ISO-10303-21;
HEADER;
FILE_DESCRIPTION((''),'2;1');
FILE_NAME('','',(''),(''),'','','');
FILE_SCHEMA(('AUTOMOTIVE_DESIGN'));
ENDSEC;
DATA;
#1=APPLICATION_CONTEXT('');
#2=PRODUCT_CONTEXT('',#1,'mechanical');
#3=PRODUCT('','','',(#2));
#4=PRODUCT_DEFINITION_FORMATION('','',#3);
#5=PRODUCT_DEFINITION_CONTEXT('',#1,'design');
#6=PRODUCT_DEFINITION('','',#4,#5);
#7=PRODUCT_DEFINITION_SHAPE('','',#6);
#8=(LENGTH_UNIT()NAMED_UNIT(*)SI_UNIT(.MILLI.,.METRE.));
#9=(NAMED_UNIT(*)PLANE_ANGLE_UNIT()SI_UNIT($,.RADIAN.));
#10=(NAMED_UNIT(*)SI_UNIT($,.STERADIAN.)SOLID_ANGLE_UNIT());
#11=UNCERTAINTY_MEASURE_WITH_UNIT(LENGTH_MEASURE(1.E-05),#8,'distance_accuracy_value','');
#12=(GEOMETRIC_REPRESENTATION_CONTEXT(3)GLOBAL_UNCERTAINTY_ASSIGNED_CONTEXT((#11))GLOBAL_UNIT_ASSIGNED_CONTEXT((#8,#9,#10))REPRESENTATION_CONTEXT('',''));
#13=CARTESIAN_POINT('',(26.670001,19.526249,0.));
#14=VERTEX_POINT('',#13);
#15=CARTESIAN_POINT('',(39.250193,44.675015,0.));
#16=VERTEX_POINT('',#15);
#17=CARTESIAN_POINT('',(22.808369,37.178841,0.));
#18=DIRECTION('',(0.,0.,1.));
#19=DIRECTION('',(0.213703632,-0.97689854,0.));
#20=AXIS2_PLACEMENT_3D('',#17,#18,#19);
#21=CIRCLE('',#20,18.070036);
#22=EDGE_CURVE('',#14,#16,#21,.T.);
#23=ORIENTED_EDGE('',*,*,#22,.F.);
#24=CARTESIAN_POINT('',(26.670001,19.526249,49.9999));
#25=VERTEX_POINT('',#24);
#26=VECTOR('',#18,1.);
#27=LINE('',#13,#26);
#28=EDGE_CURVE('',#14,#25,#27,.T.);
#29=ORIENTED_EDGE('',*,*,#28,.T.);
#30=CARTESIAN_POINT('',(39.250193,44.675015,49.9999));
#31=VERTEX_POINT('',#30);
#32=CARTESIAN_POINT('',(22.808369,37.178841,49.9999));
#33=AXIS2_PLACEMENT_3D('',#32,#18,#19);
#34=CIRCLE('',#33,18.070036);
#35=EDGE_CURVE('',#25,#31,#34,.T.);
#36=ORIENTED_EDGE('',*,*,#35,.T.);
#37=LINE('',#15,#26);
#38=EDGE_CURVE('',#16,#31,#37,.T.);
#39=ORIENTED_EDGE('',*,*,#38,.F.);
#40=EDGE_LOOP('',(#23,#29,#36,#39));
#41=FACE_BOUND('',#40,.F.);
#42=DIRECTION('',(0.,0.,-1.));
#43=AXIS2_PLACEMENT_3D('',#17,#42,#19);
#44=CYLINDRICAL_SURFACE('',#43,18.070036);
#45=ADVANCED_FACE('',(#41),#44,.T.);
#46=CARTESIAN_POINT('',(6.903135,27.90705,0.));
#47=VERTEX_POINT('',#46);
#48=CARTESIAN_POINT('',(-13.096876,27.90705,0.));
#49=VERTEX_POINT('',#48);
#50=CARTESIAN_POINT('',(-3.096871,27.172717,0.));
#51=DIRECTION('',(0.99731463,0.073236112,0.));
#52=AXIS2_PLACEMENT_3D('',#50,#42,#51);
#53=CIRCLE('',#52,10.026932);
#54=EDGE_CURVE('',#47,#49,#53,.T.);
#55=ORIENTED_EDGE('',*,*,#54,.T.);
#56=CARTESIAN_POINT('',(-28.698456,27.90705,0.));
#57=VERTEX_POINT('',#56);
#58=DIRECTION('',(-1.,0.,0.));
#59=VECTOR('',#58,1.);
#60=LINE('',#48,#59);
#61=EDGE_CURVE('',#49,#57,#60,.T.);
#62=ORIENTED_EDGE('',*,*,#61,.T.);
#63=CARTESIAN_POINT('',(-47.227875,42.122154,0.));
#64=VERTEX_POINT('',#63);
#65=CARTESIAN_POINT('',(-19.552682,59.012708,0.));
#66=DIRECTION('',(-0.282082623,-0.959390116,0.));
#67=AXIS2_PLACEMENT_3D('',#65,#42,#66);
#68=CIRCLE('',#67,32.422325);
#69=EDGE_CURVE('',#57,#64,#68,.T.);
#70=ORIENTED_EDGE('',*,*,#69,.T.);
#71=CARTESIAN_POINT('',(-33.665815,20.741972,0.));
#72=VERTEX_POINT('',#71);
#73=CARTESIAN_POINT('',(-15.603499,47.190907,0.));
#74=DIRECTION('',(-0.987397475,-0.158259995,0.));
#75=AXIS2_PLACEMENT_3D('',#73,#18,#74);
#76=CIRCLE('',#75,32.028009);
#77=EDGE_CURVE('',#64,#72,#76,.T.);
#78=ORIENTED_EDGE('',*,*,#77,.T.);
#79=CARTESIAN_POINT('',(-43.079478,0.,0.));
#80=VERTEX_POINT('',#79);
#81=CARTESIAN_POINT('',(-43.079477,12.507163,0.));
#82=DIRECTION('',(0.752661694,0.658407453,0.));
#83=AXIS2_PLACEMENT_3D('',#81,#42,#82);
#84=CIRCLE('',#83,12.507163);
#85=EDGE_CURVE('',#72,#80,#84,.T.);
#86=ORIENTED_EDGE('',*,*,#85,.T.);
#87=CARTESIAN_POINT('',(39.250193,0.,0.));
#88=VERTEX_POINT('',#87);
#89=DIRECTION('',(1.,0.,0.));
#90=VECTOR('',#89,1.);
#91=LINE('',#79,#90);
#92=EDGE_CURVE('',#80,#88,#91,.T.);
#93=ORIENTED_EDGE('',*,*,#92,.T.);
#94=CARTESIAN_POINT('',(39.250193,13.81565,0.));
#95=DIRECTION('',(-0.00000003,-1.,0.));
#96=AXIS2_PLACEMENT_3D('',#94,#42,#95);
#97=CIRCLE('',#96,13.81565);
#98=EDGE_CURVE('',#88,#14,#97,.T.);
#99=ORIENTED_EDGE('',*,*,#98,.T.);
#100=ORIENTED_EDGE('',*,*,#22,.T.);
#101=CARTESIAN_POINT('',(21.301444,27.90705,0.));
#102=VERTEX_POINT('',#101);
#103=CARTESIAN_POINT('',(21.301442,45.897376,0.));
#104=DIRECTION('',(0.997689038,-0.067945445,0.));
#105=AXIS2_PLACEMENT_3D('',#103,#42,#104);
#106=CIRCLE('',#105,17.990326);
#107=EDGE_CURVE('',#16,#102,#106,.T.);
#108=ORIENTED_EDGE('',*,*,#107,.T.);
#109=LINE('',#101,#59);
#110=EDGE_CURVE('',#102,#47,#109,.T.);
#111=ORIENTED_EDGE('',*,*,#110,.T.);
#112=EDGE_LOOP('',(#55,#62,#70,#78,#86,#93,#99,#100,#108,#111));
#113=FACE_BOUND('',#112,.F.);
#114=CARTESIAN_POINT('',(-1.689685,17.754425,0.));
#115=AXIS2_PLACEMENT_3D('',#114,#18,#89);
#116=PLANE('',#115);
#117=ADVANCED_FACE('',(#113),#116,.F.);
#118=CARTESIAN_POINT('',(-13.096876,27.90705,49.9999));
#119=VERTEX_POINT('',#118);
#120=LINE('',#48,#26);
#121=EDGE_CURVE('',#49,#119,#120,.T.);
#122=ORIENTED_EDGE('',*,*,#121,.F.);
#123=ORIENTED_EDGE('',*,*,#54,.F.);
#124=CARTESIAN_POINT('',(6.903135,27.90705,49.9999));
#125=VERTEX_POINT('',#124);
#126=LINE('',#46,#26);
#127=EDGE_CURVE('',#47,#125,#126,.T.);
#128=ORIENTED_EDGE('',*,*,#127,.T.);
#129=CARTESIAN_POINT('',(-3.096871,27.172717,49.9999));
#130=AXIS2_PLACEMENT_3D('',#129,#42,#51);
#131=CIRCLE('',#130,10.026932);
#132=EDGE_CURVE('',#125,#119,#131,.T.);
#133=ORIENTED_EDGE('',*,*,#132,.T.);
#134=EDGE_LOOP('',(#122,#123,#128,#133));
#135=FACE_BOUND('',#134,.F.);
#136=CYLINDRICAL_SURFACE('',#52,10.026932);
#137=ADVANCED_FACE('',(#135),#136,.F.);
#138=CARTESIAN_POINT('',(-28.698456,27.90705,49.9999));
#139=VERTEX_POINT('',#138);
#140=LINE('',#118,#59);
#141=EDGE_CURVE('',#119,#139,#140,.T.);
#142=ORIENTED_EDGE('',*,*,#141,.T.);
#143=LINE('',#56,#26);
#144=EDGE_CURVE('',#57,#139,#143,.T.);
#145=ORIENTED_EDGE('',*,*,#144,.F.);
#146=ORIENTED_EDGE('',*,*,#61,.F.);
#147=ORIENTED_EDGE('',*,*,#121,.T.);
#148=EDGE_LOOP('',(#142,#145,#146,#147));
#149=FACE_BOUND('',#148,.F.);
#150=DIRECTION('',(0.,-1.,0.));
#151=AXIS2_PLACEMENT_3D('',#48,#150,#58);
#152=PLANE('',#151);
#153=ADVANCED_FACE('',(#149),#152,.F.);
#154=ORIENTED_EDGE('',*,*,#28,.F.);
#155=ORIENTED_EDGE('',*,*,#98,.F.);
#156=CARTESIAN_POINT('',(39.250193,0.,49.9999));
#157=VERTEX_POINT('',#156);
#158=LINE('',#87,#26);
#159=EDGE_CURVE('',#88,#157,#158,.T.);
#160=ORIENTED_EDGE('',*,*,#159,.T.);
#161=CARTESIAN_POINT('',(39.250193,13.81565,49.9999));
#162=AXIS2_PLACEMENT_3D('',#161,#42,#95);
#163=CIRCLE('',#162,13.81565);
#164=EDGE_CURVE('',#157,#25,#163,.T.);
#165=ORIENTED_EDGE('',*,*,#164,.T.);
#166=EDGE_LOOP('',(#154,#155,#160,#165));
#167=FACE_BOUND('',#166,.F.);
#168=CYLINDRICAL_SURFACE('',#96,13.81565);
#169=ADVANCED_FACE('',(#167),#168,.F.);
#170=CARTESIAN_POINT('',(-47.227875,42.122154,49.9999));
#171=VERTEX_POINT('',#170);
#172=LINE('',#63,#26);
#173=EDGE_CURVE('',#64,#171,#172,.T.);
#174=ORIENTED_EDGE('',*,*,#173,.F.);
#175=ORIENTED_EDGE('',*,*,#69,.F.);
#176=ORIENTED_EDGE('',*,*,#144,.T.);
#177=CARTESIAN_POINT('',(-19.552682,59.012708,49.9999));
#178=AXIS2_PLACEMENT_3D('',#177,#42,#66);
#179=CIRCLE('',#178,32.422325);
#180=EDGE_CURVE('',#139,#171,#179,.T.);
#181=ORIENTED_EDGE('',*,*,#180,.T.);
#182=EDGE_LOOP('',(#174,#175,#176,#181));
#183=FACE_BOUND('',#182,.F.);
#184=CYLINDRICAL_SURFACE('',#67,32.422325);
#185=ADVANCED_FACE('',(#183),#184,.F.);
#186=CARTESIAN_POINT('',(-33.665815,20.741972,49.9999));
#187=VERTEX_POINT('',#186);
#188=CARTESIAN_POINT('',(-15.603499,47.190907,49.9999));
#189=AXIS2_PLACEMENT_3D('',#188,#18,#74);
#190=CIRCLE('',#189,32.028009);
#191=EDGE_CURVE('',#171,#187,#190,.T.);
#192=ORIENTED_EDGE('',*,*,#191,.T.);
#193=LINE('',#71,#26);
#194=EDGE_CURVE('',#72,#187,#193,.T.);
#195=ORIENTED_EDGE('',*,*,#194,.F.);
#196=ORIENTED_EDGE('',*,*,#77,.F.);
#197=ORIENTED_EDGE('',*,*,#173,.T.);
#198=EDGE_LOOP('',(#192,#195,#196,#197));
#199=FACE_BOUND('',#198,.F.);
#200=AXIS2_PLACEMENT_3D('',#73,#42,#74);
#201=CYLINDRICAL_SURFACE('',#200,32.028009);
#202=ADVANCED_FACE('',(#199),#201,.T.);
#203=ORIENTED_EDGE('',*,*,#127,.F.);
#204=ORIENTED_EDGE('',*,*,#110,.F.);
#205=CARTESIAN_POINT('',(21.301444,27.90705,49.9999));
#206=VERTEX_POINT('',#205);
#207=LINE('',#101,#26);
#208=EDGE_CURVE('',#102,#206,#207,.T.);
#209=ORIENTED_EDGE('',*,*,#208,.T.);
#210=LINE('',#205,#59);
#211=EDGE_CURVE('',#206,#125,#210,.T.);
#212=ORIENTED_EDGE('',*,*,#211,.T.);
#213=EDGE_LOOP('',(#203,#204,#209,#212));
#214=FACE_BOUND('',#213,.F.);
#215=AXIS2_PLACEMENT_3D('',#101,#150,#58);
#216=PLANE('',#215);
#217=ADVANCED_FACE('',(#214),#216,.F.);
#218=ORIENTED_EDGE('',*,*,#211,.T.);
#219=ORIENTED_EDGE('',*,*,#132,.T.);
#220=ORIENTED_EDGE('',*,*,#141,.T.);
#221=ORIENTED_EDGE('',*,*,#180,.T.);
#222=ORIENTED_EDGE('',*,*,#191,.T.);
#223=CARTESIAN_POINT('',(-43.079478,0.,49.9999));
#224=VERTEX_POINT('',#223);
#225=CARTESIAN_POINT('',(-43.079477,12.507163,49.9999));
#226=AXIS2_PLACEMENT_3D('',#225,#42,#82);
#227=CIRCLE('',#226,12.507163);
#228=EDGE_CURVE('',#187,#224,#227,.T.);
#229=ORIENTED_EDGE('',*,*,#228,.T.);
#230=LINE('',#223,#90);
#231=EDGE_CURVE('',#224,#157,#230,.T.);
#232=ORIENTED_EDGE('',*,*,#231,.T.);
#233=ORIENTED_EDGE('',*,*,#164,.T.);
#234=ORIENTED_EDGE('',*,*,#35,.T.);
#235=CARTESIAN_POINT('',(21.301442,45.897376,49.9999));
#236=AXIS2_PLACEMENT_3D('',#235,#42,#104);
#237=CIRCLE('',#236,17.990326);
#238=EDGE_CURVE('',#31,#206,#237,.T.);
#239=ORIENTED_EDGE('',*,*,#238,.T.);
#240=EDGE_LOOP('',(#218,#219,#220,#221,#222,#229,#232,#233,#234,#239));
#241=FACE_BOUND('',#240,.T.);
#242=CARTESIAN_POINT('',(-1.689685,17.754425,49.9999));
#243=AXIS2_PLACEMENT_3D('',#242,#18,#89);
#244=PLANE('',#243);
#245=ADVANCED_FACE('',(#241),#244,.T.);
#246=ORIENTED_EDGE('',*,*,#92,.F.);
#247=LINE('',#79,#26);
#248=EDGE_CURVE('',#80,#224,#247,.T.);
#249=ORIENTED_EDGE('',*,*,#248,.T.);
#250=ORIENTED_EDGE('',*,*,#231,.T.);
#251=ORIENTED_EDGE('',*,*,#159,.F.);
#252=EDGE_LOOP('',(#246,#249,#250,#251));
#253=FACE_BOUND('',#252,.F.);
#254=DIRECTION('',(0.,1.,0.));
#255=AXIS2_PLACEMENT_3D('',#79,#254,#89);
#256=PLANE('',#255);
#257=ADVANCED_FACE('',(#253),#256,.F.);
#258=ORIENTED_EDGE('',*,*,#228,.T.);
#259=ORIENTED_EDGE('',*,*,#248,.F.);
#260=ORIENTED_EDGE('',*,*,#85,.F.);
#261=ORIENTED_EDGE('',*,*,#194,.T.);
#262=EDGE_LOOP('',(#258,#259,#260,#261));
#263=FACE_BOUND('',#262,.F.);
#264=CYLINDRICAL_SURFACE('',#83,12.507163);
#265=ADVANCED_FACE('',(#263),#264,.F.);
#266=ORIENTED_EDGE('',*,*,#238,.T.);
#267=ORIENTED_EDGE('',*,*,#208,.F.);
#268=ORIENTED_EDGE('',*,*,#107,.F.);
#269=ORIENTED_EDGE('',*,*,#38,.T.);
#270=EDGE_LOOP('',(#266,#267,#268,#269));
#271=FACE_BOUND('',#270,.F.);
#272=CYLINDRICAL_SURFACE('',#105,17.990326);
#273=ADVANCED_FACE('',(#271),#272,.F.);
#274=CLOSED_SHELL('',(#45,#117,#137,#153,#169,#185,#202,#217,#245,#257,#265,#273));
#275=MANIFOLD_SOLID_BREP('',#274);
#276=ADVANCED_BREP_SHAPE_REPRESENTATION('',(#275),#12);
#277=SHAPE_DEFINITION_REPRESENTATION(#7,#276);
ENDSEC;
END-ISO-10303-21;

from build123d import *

# Parameters (mm, degrees)
F1_DEPTH = 49.9999


with BuildPart() as f1:
    # F0 (on Top) → F1 (new body)
    with BuildSketch(Plane.XY):
        with BuildLine():
            ThreePointArc((-33.665815, 20.741972), (-31.690377, 7.338264), (-43.079478, 0))
            Line((-43.079478, 0), (-24.252152, 0))
            Line((-24.252152, 0), (39.250193, 0))
            ThreePointArc((39.250193, 0), (27.63624, 6.333119), (26.670001, 19.526249))
            ThreePointArc((26.670001, 19.526249), (38.969207, 29.094689), (39.250193, 44.675015))
            ThreePointArc((39.250193, 44.675015), (33.582753, 32.751227), (21.301444, 27.90705))
            Line((21.301444, 27.90705), (6.903135, 27.90705))
            ThreePointArc((6.903135, 27.90705), (-3.09687, 17.145785), (-13.096876, 27.90705))
            Line((-13.096876, 27.90705), (-28.698456, 27.90705))
            ThreePointArc((-28.698456, 27.90705), (-39.287504, 33.288324), (-47.227875, 42.122154))
            ThreePointArc((-47.227875, 42.122154), (-42.649199, 30.035047), (-33.665815, 20.741972))
        make_face()
    extrude(amount=F1_DEPTH)


solid = f1.part
